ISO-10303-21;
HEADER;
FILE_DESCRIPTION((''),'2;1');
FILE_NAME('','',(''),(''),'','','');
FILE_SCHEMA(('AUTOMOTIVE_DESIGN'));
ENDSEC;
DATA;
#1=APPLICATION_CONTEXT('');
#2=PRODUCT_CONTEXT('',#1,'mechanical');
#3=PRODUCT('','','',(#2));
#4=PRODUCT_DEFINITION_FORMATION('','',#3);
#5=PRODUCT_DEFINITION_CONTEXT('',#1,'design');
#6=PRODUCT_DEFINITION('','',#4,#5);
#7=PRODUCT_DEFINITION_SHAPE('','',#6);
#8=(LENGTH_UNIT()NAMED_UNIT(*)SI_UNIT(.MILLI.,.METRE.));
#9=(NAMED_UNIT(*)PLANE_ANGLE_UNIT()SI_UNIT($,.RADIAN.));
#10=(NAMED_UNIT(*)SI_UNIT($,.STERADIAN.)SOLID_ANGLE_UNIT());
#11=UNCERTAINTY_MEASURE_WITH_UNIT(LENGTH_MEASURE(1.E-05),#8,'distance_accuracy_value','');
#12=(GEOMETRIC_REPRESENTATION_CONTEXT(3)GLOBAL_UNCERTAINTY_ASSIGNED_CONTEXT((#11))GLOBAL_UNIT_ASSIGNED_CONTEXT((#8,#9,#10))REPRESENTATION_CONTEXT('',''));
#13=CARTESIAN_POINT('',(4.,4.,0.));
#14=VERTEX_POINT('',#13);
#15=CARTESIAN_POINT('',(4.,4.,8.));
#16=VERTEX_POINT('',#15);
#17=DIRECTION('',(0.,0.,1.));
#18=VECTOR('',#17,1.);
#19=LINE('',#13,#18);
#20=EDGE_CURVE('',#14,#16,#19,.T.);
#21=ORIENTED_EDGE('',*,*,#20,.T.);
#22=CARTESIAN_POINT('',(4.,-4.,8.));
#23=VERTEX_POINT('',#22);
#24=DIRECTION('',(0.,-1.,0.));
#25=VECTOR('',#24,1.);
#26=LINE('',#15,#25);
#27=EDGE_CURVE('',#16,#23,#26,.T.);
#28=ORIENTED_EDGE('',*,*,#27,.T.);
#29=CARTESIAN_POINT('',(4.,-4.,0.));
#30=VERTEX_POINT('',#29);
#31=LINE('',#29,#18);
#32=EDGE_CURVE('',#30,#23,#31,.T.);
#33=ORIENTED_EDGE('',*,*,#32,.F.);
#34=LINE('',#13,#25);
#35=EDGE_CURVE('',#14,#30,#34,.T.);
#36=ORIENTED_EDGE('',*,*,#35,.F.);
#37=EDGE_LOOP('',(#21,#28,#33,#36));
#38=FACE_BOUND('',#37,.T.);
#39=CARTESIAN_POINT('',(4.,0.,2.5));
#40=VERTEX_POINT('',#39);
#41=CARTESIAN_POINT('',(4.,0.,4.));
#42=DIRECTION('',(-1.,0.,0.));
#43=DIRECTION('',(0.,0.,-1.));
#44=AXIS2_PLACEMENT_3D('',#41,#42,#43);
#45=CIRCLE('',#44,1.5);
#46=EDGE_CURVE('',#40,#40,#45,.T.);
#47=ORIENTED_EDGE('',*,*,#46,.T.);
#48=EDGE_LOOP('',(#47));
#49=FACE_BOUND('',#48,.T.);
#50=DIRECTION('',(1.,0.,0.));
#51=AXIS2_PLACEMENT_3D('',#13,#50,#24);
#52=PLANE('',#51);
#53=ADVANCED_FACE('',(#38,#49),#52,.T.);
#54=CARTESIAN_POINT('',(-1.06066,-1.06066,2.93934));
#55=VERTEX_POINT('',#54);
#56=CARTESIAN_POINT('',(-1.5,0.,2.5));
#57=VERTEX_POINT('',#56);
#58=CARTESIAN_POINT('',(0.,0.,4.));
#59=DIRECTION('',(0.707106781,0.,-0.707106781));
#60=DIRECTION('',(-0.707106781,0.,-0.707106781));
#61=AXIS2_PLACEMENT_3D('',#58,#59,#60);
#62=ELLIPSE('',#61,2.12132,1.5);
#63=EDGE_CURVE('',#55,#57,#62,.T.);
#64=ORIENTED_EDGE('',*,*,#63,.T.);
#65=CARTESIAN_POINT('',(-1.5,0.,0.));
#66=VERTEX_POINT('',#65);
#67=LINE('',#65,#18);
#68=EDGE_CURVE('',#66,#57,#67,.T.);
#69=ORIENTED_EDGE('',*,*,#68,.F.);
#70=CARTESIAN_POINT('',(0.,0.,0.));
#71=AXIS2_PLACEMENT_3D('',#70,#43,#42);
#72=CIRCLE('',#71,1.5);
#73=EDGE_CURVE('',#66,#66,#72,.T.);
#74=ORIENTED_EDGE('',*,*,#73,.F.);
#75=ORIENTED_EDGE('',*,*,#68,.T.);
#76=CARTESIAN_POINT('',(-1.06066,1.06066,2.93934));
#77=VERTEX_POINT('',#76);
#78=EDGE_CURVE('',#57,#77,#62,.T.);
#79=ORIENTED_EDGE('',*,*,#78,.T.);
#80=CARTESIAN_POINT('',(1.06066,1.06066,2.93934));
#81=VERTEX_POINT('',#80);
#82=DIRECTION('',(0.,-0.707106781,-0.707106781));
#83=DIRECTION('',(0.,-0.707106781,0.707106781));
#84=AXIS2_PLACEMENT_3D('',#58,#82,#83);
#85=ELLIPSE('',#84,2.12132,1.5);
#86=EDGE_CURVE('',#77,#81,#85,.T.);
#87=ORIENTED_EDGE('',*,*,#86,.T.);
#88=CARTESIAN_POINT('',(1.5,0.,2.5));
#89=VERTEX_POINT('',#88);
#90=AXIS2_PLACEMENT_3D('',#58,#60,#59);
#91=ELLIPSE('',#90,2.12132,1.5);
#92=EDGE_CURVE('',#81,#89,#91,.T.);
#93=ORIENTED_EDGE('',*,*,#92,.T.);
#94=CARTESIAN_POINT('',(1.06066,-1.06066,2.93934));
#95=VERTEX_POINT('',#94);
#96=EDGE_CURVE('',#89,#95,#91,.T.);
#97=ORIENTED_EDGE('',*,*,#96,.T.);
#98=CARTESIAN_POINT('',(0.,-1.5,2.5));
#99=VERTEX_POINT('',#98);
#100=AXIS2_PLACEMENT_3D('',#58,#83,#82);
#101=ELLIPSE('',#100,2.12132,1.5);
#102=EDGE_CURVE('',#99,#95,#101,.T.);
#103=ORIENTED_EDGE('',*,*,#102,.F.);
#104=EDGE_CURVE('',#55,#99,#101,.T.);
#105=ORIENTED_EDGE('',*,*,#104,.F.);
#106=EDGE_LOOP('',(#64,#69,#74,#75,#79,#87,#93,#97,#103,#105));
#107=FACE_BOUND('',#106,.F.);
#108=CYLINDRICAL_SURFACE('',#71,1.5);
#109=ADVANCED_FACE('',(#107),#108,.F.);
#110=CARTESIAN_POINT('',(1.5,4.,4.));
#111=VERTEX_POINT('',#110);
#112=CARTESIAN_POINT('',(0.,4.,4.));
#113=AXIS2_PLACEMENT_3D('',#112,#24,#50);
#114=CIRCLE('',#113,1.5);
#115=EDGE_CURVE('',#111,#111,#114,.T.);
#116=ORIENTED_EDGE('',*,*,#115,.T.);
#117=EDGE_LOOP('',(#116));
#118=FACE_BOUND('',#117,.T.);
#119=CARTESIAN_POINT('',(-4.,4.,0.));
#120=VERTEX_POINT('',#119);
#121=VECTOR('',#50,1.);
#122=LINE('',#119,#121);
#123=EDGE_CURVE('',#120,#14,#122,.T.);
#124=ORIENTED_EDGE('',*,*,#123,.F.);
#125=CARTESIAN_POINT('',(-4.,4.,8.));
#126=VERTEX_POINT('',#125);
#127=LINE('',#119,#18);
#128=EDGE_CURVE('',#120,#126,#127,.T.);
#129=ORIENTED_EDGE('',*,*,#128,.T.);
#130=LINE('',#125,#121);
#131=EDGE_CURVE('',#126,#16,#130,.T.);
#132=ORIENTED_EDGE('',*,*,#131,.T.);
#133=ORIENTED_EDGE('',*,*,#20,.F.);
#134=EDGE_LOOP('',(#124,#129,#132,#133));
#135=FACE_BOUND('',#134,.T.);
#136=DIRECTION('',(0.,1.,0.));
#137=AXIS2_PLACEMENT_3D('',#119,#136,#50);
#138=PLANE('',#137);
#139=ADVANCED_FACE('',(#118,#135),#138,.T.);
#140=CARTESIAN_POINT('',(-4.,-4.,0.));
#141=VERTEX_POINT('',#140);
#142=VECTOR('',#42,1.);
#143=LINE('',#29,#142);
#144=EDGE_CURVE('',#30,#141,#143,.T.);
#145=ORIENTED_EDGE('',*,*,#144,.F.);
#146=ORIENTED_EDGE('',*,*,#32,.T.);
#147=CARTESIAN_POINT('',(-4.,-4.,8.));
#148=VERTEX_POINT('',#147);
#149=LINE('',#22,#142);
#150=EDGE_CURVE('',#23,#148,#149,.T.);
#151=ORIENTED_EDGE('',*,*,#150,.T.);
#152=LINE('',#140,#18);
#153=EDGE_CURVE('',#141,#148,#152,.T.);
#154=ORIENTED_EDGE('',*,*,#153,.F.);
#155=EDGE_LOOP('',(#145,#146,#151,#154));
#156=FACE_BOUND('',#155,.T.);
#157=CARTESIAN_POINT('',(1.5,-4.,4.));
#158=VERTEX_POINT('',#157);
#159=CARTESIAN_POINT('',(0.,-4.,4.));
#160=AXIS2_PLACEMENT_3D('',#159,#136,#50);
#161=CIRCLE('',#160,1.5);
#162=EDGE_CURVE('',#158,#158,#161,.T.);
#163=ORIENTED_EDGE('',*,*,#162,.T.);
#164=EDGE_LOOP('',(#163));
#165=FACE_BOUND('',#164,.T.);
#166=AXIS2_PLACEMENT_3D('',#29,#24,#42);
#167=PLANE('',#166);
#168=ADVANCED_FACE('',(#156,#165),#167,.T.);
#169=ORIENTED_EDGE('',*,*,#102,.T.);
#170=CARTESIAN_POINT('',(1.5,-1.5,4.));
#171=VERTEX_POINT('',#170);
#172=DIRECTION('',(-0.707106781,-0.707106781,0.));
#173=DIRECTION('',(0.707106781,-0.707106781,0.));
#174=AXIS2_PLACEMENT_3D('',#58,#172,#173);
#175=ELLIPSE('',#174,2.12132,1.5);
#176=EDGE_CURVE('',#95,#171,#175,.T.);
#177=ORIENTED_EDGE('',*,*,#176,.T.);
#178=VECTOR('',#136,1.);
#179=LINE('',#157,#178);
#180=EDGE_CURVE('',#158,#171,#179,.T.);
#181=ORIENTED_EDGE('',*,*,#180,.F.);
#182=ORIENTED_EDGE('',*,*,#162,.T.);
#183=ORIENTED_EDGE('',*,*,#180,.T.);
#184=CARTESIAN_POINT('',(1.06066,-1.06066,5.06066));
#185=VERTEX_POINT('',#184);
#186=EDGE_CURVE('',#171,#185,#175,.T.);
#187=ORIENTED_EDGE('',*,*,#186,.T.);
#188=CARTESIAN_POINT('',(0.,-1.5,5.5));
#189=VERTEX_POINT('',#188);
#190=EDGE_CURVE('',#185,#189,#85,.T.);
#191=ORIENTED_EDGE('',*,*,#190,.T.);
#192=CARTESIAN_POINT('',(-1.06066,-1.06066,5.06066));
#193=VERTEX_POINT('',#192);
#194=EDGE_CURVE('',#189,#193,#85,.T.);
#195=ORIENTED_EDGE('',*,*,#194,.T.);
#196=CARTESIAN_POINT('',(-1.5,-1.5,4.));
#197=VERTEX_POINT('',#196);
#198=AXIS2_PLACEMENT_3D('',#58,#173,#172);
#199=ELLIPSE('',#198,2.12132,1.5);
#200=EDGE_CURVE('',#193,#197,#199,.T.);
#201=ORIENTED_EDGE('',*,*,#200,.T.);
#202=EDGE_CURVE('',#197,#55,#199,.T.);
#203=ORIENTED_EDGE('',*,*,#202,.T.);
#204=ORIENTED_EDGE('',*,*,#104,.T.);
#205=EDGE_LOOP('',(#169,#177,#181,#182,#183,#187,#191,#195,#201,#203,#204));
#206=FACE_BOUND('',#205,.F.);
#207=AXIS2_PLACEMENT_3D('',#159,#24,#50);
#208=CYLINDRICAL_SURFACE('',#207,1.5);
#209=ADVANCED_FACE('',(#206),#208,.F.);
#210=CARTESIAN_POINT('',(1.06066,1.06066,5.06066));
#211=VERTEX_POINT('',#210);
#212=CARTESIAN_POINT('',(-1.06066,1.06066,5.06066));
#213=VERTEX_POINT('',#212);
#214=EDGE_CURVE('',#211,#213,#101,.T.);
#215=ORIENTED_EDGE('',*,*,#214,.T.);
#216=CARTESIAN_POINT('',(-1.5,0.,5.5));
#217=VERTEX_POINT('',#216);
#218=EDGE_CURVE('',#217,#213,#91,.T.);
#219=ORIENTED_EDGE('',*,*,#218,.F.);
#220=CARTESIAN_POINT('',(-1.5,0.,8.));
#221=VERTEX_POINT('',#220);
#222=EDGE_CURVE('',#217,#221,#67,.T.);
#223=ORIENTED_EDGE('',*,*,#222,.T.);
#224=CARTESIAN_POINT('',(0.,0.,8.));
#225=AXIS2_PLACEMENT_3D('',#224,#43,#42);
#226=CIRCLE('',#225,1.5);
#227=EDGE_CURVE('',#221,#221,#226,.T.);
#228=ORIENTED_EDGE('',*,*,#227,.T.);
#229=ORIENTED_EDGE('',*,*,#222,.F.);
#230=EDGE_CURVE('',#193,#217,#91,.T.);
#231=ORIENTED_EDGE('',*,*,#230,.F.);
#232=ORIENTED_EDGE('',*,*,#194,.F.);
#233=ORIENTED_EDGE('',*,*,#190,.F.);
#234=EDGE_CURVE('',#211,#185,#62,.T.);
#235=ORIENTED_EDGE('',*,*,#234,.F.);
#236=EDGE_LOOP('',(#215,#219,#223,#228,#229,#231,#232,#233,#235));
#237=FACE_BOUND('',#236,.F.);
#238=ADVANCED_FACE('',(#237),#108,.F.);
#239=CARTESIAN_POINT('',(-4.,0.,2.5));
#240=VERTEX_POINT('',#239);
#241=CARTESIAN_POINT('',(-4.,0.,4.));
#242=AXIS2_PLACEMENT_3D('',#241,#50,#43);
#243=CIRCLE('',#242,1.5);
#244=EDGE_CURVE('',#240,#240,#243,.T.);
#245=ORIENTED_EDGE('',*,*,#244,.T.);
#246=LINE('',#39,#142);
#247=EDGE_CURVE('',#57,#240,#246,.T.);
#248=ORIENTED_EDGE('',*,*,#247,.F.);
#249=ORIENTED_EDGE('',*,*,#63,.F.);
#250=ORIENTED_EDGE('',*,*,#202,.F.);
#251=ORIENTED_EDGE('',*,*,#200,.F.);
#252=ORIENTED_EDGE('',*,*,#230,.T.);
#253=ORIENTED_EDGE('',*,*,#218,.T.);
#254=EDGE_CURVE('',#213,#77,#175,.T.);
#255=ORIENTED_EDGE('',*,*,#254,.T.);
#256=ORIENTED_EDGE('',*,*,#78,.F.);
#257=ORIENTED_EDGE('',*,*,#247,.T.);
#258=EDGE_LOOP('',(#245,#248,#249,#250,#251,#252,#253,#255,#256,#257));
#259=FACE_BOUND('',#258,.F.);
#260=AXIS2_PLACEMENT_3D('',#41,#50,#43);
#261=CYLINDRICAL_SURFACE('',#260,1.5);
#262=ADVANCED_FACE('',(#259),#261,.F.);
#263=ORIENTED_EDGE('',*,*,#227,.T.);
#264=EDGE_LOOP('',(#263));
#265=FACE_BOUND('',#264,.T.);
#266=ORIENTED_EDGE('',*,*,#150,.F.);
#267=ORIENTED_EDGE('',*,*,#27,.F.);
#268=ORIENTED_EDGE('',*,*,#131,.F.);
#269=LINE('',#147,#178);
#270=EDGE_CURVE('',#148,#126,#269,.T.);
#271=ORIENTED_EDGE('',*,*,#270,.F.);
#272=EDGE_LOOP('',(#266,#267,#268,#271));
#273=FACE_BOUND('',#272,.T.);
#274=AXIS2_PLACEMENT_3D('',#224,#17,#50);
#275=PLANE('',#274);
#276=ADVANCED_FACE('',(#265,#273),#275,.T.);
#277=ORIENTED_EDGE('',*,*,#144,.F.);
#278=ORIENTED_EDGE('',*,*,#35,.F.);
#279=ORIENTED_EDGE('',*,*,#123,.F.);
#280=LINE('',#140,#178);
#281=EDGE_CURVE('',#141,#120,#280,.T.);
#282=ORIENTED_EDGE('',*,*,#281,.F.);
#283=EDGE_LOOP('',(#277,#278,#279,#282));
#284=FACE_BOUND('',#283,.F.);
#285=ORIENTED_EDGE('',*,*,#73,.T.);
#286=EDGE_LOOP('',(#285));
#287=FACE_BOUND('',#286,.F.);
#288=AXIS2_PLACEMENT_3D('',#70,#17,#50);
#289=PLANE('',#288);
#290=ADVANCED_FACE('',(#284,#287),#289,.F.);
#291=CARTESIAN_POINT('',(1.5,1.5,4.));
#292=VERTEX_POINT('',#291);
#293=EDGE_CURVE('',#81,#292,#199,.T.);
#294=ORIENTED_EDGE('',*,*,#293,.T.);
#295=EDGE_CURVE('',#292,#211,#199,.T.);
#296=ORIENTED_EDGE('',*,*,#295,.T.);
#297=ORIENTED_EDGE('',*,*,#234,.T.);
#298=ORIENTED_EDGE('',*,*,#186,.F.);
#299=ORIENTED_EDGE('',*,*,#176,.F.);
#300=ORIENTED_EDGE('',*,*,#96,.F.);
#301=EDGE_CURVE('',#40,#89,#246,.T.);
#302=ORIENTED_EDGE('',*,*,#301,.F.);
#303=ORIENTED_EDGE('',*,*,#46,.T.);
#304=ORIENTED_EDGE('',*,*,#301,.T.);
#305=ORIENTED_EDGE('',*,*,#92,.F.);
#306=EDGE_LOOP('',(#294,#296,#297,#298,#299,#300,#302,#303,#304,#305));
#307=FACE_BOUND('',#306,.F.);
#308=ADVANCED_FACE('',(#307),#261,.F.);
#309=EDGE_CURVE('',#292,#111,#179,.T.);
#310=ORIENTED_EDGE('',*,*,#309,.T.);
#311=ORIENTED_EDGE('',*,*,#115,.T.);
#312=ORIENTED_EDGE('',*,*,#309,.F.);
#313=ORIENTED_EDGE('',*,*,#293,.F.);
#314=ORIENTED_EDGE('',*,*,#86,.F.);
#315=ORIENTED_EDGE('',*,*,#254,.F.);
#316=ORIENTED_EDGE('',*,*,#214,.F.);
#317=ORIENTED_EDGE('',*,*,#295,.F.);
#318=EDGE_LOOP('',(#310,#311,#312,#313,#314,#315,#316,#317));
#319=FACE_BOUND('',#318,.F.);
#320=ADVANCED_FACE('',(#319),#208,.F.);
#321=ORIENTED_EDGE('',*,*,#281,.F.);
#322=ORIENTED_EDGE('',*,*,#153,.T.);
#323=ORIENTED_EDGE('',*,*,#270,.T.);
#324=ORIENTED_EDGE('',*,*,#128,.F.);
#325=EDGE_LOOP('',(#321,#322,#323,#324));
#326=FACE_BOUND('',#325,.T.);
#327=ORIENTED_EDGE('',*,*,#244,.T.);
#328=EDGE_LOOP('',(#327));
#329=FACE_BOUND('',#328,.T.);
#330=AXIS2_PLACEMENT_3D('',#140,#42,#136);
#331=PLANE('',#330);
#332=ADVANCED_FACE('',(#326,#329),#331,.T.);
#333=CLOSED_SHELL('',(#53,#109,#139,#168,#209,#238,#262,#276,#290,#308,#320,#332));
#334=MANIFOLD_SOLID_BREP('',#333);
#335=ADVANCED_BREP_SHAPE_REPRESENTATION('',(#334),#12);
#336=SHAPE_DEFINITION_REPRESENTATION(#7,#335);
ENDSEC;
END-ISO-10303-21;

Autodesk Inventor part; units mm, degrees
ref_plane "YZ Plane" through (0, 0, 0) normal (1, 0, 0) x (0, 1, 0)
ref_plane "XZ Plane" through (0, 0, 0) normal (0, 1, 0) x (-1, 0, 0)
ref_plane "XY Plane" through (0, 0, 0) normal (0, 0, 1) x (1, 0, 0)
sketch "草图1" plane through (0, 0, 0) normal (0, 0, 1) x (1, 0, 0)
  line L0 (4, -4) -> (-4, -4)
  line L1 (-4, -4) -> (-4, 4)
  line L2 (-4, 4) -> (4, 4)
  line L3 (4, 4) -> (4, -4)
  line L4 (4, -4) -> (-4, 4) construction
  line L5 (-4, -4) -> (4, 4) construction
  point P0 (0, 0)
  dimension "d0" = 8
  dimension "d1" = 8
extrude "拉伸1" add sketch "草图1" along normal blind 8
sketch "草图2" plane through (-4, -4, 0) normal (0, -1, 0) x (1, 0, 0)
  line L0 (8, 8) -> (0, 8) projected
  line L1 (0, 8) -> (8, 0)
  circle A0 centre (4, 4) radius 1.5
  point P0 (4, 0)
  dimension "d4" = 3
extrude "拉伸2" cut sketch "草图2" against normal blind 8
sketch "草图3" plane through (0, 0, 0) normal (0, 0, -1) x (-1, 0, 0)
  circle A0 centre (0, 0) radius 1.5
  dimension "d7" = 3
extrude "拉伸3" cut sketch "草图3" against normal blind 8
sketch "草图4" plane through (4, -4, 0) normal (1, 0, 0) x (0, 0, -1)
  line L0 (0, 8) -> (0, 0) projected
  line L1 (0, 8) -> (-8, 0)
  circle A0 centre (-4, 4) radius 1.5
  point P0 (0, 4)
  dimension "d10" = 3
extrude "拉伸4" cut sketch "草图4" against normal blind 14.25
properties part number "8X"
